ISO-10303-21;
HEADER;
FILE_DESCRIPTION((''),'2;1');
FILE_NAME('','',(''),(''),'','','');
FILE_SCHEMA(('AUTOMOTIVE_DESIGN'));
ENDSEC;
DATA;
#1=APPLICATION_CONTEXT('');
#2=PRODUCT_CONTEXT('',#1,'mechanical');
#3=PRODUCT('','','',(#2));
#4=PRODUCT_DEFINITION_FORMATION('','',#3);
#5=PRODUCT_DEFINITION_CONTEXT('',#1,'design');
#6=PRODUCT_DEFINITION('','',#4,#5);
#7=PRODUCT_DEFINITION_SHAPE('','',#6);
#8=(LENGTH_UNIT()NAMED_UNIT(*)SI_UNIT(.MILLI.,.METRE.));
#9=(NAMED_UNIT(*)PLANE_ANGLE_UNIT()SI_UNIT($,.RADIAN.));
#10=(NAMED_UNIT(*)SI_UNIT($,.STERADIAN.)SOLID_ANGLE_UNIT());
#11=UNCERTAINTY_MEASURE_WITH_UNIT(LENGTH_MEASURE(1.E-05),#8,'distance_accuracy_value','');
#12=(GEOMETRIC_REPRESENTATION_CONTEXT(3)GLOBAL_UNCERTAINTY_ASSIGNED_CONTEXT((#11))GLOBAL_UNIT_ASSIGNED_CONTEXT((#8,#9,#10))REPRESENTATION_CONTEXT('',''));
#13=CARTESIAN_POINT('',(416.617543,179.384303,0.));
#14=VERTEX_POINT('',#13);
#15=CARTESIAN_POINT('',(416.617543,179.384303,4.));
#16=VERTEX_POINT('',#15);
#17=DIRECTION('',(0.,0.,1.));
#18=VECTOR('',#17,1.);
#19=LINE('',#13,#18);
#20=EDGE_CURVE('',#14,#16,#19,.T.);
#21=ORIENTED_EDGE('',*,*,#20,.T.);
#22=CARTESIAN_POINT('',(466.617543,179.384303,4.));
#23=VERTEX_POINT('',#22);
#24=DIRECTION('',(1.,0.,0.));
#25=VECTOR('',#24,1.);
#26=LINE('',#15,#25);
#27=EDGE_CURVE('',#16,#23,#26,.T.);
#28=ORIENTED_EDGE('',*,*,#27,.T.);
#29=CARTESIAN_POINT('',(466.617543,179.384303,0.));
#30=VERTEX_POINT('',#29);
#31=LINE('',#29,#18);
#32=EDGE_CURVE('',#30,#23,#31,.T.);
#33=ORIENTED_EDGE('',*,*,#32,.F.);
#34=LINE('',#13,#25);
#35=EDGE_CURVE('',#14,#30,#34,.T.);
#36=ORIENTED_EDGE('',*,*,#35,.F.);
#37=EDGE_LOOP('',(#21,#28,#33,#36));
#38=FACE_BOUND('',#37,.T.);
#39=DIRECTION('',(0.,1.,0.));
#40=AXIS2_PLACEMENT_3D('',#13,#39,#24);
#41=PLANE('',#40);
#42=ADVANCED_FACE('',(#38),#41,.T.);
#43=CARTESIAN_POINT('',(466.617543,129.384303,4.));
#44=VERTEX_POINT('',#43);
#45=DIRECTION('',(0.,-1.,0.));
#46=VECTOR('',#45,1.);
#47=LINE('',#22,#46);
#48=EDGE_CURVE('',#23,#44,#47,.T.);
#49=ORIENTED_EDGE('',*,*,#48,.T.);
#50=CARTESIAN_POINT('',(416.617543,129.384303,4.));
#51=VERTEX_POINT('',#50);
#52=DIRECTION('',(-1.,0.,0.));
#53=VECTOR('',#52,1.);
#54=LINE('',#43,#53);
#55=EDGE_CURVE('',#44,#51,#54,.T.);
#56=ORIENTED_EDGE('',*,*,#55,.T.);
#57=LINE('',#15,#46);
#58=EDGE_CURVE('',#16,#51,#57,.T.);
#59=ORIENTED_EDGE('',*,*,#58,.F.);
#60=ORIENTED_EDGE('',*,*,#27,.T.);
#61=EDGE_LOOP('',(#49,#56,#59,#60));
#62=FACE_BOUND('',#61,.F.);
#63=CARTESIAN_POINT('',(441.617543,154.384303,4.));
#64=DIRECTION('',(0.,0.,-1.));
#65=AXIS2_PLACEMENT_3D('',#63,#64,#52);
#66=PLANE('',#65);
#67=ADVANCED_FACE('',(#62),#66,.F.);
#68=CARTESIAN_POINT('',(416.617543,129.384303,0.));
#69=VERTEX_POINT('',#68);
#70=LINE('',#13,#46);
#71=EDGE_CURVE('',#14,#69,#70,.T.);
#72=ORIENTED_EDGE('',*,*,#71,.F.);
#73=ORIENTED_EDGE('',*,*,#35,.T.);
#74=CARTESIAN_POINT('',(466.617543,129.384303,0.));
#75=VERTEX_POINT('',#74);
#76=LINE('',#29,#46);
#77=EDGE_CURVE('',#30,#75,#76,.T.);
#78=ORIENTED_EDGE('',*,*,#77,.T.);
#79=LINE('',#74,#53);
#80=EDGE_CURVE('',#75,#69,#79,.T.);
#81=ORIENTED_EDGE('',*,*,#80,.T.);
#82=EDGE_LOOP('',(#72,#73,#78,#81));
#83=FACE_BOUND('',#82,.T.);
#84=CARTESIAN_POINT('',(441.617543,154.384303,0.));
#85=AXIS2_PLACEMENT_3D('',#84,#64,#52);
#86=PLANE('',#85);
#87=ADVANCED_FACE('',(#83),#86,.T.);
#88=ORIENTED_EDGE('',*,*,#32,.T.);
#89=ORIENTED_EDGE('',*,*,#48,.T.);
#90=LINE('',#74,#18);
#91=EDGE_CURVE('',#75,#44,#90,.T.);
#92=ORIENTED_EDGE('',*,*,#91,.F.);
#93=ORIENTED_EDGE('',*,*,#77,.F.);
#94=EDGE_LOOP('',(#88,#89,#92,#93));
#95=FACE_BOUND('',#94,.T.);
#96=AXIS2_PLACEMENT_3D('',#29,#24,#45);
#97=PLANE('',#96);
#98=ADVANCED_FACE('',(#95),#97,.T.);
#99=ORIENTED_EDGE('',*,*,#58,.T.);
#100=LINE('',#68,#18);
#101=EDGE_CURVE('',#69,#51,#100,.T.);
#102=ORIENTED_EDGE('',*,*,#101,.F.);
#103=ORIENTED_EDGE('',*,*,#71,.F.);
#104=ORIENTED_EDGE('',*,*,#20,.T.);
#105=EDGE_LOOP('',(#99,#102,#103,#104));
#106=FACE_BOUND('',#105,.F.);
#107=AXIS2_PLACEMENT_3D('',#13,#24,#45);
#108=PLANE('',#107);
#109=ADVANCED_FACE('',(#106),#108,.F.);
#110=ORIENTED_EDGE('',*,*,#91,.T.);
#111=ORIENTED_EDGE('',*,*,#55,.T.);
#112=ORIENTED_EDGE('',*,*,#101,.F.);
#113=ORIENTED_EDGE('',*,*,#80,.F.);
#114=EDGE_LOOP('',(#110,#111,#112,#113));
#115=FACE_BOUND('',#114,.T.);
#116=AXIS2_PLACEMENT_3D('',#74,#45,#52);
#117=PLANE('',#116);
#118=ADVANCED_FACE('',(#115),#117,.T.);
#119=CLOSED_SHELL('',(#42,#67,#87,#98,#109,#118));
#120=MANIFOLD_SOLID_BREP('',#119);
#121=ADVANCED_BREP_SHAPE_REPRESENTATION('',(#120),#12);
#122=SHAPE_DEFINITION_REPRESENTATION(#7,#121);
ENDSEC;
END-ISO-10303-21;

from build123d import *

# Parameters (mm, degrees)
EXTRUDE_1_DEPTH = 4


with BuildPart() as part:
    # 草图1 → 凸台-拉伸1 (new body)
    with BuildSketch(Plane.XY):
        Polygon((416.617543458, 154.384302534), (416.617543458, 179.384302534), (466.617543458, 179.384302534), (466.617543458, 129.384302534), (416.617543458, 129.384302534), align=None)
    extrude(amount=EXTRUDE_1_DEPTH)


solid = part.part
